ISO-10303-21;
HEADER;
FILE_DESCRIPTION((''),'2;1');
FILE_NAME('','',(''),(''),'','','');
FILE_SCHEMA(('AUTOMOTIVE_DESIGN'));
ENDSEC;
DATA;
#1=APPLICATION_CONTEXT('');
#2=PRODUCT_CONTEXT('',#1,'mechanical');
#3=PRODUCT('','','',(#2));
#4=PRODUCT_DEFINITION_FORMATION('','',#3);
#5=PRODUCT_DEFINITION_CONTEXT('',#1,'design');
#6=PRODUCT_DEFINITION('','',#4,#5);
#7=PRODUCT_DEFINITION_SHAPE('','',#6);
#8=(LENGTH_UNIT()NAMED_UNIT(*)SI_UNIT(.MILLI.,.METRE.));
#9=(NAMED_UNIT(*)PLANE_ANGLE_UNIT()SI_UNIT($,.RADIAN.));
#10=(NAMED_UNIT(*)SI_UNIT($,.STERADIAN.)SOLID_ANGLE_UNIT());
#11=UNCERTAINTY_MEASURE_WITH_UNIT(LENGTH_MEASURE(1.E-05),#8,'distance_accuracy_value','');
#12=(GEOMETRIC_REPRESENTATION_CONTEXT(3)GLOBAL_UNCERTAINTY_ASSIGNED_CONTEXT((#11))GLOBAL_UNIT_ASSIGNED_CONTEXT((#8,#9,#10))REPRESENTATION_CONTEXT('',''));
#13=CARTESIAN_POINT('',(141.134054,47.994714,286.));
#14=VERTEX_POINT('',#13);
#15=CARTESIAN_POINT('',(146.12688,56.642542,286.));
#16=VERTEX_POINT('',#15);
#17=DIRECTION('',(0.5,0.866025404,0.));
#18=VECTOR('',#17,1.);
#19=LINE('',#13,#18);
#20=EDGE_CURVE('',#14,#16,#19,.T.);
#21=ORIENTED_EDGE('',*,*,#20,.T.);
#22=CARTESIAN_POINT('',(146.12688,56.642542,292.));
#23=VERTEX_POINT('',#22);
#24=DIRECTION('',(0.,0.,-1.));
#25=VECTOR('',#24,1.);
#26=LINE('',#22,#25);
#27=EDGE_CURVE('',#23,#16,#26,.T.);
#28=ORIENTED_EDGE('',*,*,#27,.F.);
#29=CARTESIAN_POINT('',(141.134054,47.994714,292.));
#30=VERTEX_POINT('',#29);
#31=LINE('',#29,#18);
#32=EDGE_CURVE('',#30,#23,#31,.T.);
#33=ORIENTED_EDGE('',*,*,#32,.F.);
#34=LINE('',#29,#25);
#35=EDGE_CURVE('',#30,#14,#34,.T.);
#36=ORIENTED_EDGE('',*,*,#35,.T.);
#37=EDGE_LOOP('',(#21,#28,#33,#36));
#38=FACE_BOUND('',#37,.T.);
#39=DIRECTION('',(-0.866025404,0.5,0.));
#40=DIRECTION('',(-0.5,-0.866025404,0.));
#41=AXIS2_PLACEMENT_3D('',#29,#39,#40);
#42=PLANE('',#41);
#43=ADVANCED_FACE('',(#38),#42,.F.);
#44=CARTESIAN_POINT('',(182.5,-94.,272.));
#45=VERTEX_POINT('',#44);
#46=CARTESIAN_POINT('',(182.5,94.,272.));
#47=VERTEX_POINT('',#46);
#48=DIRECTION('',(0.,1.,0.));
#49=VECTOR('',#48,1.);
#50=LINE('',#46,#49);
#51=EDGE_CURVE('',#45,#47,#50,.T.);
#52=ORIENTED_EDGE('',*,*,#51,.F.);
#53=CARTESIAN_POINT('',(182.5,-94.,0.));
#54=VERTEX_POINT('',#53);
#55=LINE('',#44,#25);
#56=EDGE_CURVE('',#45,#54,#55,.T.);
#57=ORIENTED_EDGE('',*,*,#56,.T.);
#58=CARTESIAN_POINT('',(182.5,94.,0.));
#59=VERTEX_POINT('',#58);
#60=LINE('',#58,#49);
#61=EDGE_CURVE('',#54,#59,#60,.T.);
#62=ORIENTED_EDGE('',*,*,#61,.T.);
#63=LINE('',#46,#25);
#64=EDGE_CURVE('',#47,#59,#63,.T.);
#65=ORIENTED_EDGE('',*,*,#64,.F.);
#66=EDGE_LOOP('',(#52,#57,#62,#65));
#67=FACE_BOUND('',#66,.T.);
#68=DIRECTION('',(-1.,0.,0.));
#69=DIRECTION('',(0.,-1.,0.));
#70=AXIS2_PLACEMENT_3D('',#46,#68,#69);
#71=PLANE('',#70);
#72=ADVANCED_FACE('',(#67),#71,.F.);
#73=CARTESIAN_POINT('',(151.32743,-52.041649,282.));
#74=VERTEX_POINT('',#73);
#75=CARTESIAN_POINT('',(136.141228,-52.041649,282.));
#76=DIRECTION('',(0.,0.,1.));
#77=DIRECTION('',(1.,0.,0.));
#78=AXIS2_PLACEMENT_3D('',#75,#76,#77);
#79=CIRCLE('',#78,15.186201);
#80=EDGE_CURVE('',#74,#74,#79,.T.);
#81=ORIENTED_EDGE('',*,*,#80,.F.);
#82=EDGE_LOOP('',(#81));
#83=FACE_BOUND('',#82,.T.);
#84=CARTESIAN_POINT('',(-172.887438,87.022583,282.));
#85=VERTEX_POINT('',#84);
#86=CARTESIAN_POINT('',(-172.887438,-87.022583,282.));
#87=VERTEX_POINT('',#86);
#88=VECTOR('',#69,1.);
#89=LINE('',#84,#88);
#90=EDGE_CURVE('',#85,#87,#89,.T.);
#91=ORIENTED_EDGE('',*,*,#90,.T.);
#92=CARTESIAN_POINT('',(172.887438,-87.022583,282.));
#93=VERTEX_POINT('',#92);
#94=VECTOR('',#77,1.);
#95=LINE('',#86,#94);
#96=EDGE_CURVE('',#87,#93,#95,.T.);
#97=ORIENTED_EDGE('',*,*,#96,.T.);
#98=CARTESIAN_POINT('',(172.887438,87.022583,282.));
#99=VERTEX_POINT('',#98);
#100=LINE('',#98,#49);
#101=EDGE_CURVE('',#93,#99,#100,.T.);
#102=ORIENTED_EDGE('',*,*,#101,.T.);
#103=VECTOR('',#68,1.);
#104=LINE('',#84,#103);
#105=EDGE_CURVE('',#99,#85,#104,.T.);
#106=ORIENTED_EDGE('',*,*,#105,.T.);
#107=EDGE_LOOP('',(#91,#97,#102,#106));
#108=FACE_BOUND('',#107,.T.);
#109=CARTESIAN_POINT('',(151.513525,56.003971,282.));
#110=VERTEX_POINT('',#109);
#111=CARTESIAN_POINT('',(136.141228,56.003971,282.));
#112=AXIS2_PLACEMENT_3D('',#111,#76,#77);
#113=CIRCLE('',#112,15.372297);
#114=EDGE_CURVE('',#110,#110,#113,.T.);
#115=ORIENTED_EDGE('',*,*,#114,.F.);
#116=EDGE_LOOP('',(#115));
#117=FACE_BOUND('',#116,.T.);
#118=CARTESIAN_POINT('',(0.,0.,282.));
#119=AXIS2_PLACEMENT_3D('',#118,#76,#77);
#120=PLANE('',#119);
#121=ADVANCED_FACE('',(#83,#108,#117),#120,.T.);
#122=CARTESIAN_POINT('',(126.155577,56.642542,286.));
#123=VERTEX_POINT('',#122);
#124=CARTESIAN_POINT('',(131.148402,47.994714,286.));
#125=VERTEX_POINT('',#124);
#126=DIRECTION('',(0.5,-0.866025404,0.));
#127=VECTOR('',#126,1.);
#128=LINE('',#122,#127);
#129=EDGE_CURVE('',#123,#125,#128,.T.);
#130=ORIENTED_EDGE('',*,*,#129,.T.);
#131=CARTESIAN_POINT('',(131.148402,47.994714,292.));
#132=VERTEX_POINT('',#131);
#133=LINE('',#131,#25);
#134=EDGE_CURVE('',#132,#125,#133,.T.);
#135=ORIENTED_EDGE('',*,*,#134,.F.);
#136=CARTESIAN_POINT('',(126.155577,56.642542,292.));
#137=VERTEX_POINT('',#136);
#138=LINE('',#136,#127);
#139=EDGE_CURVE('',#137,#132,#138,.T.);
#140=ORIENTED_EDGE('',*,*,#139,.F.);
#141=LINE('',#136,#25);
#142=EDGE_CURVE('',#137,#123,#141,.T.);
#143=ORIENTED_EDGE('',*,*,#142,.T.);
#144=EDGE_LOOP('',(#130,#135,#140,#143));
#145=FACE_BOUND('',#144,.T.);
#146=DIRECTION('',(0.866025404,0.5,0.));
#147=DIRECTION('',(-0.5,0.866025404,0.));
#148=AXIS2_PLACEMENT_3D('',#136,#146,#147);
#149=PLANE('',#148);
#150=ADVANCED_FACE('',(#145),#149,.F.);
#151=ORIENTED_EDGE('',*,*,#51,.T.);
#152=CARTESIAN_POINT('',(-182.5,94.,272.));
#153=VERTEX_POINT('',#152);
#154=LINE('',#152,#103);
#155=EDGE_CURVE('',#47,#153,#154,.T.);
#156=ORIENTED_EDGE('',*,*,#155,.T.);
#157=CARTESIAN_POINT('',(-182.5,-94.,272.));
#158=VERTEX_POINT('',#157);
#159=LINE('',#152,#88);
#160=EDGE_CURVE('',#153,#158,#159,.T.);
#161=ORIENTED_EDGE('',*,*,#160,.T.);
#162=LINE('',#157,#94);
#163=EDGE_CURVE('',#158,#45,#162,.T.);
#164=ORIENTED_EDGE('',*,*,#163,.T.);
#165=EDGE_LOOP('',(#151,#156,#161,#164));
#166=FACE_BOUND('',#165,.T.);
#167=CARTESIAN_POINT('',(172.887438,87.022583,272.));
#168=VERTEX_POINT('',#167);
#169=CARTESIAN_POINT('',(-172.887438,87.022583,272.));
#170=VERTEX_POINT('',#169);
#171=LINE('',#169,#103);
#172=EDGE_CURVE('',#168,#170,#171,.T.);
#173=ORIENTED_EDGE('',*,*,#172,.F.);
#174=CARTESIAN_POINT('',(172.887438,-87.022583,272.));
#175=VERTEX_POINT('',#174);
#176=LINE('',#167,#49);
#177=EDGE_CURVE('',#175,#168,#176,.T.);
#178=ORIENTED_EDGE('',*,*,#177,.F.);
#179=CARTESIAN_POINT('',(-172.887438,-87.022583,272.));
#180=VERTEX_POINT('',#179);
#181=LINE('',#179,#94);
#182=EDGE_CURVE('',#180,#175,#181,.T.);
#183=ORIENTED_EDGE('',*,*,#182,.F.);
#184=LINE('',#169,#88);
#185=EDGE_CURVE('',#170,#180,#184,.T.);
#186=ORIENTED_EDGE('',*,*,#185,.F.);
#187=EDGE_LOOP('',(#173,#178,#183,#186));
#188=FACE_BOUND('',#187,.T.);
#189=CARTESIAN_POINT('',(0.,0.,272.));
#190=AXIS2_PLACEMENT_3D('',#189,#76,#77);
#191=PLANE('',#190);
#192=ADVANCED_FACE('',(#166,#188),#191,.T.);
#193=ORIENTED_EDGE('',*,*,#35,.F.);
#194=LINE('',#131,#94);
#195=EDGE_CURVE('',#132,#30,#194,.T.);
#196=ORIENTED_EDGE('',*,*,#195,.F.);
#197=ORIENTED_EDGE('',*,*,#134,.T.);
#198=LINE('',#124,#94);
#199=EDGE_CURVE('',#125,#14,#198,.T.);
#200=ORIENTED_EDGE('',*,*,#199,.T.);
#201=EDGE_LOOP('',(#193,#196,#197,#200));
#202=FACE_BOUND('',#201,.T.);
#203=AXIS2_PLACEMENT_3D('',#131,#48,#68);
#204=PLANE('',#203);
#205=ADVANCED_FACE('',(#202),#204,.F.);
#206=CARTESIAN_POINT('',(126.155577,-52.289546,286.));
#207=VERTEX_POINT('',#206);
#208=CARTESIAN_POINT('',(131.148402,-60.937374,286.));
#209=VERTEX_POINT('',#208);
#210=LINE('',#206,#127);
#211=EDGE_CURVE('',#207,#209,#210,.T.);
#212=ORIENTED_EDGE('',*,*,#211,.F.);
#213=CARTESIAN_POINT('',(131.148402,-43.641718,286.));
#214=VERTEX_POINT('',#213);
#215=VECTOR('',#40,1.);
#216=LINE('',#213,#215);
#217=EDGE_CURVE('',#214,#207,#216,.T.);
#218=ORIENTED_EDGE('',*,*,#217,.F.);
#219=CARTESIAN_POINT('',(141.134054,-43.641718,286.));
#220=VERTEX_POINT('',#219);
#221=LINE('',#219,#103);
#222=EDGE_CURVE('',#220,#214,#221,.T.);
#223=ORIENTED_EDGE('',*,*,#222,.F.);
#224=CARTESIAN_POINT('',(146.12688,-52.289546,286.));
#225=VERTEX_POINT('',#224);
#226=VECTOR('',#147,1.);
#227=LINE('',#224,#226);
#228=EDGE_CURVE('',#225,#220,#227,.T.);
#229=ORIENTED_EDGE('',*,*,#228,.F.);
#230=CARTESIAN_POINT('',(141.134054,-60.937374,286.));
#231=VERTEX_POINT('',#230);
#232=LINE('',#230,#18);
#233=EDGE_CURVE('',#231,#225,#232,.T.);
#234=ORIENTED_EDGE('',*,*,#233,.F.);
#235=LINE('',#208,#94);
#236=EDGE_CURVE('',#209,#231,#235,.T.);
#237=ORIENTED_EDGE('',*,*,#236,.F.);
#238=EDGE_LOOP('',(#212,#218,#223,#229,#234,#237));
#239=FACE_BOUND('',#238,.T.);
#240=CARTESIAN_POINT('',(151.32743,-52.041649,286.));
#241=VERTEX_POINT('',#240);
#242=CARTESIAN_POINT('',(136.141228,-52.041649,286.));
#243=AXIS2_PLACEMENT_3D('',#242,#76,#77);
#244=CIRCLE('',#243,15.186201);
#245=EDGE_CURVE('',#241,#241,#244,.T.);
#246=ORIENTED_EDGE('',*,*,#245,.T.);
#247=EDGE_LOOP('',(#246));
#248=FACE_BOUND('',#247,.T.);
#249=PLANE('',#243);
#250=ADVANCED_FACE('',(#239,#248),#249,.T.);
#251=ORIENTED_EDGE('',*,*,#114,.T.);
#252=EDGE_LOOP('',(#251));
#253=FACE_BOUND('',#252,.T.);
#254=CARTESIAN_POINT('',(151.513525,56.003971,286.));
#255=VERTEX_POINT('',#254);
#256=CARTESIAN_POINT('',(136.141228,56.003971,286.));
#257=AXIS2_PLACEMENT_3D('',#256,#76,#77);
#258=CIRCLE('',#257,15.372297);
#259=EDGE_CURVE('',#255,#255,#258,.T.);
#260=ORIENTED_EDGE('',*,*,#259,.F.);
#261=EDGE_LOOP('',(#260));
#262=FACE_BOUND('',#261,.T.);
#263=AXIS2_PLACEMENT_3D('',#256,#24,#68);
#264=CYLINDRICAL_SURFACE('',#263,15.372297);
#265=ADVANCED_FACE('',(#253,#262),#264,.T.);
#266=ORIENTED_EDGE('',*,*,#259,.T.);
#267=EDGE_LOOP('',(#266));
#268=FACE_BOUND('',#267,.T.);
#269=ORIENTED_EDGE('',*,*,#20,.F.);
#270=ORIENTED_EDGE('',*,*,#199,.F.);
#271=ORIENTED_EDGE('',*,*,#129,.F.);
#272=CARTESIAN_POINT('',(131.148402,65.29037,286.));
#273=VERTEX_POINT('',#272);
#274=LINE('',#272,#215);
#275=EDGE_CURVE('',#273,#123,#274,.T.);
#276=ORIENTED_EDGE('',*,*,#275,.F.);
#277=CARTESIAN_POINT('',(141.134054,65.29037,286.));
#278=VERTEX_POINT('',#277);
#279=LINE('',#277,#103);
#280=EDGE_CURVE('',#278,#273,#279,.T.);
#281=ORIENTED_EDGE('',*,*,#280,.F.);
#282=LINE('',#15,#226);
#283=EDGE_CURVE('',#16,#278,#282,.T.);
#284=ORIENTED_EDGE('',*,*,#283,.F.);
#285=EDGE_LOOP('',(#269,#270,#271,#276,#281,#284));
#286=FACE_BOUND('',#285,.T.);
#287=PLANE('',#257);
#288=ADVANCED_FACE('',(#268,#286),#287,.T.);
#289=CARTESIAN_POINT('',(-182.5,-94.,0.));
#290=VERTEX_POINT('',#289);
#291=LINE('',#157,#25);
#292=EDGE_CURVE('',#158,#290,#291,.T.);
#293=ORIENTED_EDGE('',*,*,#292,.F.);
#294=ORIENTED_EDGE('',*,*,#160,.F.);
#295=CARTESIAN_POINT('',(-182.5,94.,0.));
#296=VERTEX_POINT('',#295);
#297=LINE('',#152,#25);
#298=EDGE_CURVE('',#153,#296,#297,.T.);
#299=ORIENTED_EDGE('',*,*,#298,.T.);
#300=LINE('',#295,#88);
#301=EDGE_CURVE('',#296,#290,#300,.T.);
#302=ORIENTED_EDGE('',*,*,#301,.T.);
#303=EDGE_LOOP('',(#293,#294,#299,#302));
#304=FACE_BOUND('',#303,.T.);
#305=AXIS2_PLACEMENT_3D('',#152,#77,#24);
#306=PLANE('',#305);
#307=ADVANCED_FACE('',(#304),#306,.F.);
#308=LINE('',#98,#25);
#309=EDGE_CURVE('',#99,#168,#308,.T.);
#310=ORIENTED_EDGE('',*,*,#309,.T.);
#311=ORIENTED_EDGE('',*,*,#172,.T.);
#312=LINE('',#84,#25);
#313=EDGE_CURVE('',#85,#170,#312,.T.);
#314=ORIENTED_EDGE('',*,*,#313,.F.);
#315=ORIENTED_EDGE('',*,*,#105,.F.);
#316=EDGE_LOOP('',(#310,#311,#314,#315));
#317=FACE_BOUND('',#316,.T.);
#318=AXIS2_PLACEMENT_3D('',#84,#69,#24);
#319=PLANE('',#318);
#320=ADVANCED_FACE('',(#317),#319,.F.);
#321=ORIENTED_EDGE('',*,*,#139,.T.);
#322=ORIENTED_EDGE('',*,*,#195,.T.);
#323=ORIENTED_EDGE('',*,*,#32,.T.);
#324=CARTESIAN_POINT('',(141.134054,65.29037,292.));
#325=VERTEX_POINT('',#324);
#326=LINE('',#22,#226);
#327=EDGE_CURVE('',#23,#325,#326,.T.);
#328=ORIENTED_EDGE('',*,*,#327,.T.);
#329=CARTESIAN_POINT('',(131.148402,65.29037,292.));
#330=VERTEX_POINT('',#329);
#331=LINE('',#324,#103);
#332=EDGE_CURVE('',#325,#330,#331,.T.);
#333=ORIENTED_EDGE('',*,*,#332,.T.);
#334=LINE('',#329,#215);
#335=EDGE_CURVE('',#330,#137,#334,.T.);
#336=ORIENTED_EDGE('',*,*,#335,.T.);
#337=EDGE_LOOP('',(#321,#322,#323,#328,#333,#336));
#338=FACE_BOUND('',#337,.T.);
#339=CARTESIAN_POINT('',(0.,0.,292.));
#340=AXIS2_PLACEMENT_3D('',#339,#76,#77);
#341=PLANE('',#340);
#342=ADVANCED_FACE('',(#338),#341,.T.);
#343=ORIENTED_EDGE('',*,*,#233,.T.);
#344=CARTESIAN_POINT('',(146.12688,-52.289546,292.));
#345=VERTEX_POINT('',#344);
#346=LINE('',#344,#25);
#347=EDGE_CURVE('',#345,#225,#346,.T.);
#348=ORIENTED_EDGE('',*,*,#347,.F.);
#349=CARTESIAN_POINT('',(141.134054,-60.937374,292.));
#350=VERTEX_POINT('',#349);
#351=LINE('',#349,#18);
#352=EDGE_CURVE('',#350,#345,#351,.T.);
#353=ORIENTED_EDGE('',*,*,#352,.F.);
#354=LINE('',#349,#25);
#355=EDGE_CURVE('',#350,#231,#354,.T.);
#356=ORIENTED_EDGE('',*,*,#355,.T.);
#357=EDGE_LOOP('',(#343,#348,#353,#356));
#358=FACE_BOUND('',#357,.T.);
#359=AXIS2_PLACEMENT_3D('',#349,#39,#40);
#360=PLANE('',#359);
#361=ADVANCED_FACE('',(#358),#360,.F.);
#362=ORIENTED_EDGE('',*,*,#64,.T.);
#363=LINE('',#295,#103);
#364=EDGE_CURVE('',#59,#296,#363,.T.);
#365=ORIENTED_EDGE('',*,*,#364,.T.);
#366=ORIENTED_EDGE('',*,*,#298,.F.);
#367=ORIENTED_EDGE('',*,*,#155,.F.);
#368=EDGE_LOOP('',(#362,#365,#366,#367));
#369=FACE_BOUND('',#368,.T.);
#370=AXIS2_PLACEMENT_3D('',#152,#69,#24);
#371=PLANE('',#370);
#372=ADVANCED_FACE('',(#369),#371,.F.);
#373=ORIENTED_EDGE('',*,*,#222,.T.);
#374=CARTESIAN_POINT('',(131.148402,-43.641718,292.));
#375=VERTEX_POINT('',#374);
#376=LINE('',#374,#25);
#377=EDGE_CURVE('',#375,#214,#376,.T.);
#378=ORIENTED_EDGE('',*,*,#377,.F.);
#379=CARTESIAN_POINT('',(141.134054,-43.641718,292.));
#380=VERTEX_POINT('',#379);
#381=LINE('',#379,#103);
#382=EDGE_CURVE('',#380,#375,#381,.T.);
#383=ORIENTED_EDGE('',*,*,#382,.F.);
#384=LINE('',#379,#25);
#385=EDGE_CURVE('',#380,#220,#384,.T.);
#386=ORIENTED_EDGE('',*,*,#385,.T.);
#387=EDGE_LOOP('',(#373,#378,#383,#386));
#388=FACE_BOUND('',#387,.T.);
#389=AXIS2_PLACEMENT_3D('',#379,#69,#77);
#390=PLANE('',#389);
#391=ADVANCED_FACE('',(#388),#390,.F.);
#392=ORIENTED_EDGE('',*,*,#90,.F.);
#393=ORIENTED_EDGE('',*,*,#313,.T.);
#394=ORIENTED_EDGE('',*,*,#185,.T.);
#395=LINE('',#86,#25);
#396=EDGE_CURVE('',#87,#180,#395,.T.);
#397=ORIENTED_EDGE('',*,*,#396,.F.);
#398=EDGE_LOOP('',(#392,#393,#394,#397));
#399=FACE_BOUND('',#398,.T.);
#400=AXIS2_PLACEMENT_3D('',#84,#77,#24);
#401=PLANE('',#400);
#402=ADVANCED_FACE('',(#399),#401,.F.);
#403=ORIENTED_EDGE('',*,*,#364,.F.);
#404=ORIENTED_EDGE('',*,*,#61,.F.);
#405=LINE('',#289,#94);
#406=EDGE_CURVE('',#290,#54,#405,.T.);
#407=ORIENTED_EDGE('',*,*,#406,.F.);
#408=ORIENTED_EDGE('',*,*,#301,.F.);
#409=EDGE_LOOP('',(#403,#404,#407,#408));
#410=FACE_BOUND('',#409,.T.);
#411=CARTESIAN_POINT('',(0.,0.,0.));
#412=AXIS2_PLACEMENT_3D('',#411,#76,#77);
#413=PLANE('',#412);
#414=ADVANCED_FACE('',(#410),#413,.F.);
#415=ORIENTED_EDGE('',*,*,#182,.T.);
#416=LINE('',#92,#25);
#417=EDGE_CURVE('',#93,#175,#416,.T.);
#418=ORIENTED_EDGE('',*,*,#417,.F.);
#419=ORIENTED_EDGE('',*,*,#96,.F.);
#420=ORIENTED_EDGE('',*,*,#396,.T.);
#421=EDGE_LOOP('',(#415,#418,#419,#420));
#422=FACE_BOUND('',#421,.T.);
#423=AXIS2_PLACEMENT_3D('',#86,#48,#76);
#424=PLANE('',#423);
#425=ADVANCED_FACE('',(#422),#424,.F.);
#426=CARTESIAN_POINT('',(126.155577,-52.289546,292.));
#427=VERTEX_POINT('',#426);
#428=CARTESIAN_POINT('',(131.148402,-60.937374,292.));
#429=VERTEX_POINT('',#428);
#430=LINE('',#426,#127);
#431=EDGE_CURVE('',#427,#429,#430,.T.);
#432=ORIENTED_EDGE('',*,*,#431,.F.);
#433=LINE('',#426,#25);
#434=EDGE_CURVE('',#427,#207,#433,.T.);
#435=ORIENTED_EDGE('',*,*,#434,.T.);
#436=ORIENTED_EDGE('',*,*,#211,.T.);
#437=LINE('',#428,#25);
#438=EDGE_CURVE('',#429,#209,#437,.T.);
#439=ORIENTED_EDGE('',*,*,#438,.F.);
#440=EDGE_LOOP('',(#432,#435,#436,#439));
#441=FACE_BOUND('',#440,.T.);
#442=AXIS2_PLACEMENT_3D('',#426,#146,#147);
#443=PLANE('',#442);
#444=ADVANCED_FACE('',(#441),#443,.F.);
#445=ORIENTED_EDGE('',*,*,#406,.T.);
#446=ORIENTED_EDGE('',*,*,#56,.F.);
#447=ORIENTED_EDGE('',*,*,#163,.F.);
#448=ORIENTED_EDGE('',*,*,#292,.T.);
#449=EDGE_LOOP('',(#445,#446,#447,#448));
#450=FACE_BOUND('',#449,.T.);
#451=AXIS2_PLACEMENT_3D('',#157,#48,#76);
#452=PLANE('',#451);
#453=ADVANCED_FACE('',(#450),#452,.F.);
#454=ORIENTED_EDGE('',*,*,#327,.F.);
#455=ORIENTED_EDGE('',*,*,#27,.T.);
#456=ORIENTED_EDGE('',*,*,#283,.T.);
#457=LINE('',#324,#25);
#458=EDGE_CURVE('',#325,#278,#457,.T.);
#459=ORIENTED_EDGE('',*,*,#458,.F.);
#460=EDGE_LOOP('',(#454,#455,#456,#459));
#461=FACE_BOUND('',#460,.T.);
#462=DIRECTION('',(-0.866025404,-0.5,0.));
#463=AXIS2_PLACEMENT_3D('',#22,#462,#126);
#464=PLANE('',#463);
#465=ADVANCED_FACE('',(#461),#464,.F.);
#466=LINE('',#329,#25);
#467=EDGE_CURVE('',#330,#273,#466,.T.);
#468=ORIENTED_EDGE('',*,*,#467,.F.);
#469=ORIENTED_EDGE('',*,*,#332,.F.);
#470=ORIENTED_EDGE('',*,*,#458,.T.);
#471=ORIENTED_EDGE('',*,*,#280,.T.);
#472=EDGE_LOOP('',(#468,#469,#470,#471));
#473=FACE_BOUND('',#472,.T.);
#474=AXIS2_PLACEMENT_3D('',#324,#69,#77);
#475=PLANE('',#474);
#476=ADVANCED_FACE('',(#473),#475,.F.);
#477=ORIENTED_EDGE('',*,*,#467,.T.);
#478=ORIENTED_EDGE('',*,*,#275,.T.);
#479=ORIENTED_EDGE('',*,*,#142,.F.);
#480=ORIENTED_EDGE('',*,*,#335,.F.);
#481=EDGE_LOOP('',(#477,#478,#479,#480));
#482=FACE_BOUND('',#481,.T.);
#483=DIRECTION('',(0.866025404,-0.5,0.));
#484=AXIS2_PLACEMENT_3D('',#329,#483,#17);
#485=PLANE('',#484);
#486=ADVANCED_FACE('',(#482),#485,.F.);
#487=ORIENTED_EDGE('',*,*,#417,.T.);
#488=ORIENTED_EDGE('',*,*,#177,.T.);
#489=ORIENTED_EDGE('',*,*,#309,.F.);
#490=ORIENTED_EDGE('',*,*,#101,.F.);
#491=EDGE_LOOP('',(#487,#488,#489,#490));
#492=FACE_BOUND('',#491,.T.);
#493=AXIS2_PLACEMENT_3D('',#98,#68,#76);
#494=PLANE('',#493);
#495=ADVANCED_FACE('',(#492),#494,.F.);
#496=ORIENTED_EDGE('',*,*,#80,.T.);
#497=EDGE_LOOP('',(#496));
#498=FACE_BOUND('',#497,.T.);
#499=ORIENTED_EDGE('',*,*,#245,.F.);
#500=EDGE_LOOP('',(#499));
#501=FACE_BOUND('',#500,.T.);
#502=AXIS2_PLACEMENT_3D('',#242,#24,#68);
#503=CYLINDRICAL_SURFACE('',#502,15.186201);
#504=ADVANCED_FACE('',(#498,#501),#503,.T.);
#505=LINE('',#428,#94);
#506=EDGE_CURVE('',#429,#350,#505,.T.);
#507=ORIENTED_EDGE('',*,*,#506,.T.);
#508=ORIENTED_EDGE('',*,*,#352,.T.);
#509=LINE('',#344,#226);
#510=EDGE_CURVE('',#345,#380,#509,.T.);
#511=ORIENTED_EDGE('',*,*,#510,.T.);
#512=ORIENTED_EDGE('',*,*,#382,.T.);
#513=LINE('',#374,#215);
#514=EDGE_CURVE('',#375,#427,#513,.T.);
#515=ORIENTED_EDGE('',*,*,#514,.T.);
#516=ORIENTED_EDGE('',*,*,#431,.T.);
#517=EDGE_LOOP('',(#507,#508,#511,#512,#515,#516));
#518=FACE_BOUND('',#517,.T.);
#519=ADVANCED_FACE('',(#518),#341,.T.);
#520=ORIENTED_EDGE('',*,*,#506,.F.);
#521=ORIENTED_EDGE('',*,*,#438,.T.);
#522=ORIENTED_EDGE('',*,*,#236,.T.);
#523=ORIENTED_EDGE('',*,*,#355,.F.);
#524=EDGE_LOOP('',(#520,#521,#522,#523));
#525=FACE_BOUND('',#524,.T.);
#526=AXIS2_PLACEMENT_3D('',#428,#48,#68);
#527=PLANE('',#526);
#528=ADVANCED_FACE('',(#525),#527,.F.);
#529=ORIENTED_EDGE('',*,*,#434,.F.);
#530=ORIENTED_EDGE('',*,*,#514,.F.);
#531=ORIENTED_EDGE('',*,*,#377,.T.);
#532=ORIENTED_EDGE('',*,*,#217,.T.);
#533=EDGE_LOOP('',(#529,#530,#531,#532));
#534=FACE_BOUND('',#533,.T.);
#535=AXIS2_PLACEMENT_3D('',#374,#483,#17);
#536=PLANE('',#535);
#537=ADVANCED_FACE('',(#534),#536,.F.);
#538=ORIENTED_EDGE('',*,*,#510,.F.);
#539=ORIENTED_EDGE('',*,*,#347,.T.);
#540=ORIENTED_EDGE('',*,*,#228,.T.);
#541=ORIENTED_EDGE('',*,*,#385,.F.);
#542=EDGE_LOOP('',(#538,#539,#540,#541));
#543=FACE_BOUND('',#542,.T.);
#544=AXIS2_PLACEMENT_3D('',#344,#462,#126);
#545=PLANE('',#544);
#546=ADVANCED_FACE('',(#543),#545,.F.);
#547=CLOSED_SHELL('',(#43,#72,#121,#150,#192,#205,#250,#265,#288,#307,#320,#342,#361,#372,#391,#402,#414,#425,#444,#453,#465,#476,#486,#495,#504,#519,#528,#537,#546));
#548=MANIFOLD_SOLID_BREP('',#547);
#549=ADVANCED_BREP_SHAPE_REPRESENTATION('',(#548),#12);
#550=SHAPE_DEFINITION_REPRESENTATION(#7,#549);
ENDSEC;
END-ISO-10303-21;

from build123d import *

# Parameters (mm, degrees)
SKETCH2_W           = 365
SKETCH2_H           = 188
BOSS_EXTRUDE1_DEPTH = 272
SKETCH3_W           = 345.774876004
SKETCH3_H           = 174.045166382
BOSS_EXTRUDE2_DEPTH = 10
BOSS_EXTRUDE3_DEPTH = 10
SKETCH5_R           = 15.372297264
SKETCH5_R_2         = 15.186201359
BOSS_EXTRUDE4_DEPTH = 4


with BuildPart() as part:
    # Sketch2 → Boss-Extrude1 (new body)
    with BuildSketch(Plane.XY):
        Rectangle(SKETCH2_W, SKETCH2_H)
    extrude(amount=BOSS_EXTRUDE1_DEPTH)

    # Sketch3 → Boss-Extrude2 (add)
    with BuildSketch(Plane.XY.offset(272)):
        Rectangle(SKETCH3_W, SKETCH3_H)
    extrude(amount=BOSS_EXTRUDE2_DEPTH)

    # Sketch4 → Boss-Extrude3 (add)
    with BuildSketch(Plane.XY.offset(282)):
        Polygon((146.126879862, 56.64254241), (141.134054035, 65.290370416), (131.14840238, 65.290370416), (126.155576553, 56.64254241), (131.14840238, 47.994714404), (141.134054035, 47.994714404), align=None)
        Polygon((146.126879862, -52.289546401), (141.134054035, -43.641718394), (131.14840238, -43.641718394), (126.155576553, -52.289546401), (131.14840238, -60.937374407), (141.134054035, -60.937374407), align=None)
    extrude(amount=BOSS_EXTRUDE3_DEPTH)

    # Sketch5 → Boss-Extrude4 (add)
    with BuildSketch(Plane.XY.offset(282)):
        with Locations((136.141228208, 56.003971115)):
            Circle(SKETCH5_R)
        with Locations((136.141228208, -52.041649492)):
            Circle(SKETCH5_R_2)
    extrude(amount=BOSS_EXTRUDE4_DEPTH)


solid = part.part
